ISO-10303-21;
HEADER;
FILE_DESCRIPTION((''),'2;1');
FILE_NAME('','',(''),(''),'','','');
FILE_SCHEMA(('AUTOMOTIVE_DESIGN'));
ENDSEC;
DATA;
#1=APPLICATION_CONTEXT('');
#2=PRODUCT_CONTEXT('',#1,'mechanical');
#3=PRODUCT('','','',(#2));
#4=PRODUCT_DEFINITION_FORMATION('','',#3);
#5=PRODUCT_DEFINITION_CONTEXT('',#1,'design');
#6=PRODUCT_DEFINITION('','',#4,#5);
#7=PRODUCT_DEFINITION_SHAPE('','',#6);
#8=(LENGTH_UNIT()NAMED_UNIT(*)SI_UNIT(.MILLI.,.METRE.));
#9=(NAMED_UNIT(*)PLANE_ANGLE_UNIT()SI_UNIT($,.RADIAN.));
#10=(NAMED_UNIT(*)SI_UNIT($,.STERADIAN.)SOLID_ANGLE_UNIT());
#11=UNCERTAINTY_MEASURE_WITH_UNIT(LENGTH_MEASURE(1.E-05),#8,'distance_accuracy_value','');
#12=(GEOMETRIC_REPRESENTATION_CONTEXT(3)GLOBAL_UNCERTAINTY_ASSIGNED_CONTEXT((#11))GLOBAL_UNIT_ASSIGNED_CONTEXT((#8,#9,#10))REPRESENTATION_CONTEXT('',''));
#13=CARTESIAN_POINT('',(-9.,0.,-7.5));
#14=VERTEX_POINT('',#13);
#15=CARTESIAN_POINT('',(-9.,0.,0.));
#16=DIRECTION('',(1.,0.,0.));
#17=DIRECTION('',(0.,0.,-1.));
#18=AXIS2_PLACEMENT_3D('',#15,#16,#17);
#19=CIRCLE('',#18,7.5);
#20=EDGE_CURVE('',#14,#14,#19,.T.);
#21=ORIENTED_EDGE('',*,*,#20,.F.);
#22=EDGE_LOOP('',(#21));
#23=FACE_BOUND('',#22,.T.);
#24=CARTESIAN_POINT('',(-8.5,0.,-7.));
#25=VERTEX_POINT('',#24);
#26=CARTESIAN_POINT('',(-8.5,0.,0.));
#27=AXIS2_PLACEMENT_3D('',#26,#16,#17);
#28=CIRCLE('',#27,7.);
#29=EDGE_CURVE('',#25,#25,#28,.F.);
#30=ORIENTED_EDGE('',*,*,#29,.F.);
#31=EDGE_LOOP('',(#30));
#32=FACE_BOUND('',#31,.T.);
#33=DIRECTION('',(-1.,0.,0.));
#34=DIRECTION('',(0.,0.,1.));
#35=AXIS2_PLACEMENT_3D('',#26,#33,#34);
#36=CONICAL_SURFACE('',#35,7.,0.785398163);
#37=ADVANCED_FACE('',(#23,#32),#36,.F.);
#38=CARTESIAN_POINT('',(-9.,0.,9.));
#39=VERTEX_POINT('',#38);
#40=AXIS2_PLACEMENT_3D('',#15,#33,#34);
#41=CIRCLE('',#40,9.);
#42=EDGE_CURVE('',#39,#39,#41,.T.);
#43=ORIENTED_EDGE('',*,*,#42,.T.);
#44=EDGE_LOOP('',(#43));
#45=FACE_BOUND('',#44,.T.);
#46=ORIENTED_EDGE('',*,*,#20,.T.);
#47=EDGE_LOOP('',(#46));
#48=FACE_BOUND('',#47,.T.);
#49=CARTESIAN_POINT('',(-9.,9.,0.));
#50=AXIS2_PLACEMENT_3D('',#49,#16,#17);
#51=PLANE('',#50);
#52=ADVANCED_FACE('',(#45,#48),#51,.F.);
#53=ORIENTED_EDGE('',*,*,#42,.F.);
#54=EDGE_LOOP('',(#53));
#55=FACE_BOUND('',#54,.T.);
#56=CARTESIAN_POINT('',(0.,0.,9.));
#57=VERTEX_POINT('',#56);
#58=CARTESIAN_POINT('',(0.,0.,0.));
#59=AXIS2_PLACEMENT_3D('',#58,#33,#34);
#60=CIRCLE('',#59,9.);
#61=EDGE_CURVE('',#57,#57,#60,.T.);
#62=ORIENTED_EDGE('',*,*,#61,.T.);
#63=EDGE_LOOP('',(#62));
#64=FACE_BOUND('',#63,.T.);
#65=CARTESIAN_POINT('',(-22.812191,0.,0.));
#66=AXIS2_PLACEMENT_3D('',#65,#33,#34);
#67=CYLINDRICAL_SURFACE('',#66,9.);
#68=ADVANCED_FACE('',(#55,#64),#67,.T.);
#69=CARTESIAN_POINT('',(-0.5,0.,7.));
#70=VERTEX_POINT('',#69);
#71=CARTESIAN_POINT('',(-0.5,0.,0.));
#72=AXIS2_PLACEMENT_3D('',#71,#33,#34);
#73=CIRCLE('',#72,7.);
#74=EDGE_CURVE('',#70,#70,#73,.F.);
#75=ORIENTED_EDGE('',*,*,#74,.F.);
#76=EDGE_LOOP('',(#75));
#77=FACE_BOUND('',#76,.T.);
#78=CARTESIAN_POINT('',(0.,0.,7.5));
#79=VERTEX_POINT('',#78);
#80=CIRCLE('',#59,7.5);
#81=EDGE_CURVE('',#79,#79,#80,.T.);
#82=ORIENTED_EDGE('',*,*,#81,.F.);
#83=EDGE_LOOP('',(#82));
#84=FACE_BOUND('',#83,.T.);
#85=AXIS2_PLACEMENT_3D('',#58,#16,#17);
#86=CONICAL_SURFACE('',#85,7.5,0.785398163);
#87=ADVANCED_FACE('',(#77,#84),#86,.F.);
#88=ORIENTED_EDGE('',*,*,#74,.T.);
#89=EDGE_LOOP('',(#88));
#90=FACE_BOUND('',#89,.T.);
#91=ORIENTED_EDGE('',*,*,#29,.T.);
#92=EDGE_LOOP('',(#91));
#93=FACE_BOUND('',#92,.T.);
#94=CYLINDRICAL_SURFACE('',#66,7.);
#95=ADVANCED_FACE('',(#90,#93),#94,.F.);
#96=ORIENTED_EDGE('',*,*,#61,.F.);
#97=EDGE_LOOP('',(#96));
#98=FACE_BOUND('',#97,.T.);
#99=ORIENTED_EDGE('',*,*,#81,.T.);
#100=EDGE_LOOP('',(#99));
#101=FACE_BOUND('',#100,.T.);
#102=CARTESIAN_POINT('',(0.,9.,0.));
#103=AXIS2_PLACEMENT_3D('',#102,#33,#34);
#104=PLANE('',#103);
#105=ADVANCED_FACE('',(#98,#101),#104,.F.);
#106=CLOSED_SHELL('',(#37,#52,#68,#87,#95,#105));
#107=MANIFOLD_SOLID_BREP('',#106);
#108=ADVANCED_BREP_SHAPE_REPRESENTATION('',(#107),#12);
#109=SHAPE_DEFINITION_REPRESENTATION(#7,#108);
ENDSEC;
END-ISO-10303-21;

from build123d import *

# Parameters (mm, degrees)
ESQUISSE1_W     = 9
ESQUISSE1_H     = 2
CHANFREIN1_SIZE = 0.5


with BuildPart() as part:
    # Esquisse1 → Révolution1 (revolve)
    with BuildSketch(Plane.XY, mode=Mode.PRIVATE) as r_volution1_sk:
        with Locations((-4.5, 8)):
            Rectangle(ESQUISSE1_W, ESQUISSE1_H)
    revolve(r_volution1_sk.sketch.rotate(Axis((-22.812190984, 0, 0), (1, 0, 0)), 90), axis=Axis((-22.812190984, 0, 0), (1, 0, 0)))

    # Chanfrein1
    chanfrein1_edges = [part.edges().sort_by_distance(p)[0] for p in [
        (0, 0, -7),
        (-9, 0, -7),
    ]]
    chamfer(chanfrein1_edges, length=CHANFREIN1_SIZE)


solid = part.part
